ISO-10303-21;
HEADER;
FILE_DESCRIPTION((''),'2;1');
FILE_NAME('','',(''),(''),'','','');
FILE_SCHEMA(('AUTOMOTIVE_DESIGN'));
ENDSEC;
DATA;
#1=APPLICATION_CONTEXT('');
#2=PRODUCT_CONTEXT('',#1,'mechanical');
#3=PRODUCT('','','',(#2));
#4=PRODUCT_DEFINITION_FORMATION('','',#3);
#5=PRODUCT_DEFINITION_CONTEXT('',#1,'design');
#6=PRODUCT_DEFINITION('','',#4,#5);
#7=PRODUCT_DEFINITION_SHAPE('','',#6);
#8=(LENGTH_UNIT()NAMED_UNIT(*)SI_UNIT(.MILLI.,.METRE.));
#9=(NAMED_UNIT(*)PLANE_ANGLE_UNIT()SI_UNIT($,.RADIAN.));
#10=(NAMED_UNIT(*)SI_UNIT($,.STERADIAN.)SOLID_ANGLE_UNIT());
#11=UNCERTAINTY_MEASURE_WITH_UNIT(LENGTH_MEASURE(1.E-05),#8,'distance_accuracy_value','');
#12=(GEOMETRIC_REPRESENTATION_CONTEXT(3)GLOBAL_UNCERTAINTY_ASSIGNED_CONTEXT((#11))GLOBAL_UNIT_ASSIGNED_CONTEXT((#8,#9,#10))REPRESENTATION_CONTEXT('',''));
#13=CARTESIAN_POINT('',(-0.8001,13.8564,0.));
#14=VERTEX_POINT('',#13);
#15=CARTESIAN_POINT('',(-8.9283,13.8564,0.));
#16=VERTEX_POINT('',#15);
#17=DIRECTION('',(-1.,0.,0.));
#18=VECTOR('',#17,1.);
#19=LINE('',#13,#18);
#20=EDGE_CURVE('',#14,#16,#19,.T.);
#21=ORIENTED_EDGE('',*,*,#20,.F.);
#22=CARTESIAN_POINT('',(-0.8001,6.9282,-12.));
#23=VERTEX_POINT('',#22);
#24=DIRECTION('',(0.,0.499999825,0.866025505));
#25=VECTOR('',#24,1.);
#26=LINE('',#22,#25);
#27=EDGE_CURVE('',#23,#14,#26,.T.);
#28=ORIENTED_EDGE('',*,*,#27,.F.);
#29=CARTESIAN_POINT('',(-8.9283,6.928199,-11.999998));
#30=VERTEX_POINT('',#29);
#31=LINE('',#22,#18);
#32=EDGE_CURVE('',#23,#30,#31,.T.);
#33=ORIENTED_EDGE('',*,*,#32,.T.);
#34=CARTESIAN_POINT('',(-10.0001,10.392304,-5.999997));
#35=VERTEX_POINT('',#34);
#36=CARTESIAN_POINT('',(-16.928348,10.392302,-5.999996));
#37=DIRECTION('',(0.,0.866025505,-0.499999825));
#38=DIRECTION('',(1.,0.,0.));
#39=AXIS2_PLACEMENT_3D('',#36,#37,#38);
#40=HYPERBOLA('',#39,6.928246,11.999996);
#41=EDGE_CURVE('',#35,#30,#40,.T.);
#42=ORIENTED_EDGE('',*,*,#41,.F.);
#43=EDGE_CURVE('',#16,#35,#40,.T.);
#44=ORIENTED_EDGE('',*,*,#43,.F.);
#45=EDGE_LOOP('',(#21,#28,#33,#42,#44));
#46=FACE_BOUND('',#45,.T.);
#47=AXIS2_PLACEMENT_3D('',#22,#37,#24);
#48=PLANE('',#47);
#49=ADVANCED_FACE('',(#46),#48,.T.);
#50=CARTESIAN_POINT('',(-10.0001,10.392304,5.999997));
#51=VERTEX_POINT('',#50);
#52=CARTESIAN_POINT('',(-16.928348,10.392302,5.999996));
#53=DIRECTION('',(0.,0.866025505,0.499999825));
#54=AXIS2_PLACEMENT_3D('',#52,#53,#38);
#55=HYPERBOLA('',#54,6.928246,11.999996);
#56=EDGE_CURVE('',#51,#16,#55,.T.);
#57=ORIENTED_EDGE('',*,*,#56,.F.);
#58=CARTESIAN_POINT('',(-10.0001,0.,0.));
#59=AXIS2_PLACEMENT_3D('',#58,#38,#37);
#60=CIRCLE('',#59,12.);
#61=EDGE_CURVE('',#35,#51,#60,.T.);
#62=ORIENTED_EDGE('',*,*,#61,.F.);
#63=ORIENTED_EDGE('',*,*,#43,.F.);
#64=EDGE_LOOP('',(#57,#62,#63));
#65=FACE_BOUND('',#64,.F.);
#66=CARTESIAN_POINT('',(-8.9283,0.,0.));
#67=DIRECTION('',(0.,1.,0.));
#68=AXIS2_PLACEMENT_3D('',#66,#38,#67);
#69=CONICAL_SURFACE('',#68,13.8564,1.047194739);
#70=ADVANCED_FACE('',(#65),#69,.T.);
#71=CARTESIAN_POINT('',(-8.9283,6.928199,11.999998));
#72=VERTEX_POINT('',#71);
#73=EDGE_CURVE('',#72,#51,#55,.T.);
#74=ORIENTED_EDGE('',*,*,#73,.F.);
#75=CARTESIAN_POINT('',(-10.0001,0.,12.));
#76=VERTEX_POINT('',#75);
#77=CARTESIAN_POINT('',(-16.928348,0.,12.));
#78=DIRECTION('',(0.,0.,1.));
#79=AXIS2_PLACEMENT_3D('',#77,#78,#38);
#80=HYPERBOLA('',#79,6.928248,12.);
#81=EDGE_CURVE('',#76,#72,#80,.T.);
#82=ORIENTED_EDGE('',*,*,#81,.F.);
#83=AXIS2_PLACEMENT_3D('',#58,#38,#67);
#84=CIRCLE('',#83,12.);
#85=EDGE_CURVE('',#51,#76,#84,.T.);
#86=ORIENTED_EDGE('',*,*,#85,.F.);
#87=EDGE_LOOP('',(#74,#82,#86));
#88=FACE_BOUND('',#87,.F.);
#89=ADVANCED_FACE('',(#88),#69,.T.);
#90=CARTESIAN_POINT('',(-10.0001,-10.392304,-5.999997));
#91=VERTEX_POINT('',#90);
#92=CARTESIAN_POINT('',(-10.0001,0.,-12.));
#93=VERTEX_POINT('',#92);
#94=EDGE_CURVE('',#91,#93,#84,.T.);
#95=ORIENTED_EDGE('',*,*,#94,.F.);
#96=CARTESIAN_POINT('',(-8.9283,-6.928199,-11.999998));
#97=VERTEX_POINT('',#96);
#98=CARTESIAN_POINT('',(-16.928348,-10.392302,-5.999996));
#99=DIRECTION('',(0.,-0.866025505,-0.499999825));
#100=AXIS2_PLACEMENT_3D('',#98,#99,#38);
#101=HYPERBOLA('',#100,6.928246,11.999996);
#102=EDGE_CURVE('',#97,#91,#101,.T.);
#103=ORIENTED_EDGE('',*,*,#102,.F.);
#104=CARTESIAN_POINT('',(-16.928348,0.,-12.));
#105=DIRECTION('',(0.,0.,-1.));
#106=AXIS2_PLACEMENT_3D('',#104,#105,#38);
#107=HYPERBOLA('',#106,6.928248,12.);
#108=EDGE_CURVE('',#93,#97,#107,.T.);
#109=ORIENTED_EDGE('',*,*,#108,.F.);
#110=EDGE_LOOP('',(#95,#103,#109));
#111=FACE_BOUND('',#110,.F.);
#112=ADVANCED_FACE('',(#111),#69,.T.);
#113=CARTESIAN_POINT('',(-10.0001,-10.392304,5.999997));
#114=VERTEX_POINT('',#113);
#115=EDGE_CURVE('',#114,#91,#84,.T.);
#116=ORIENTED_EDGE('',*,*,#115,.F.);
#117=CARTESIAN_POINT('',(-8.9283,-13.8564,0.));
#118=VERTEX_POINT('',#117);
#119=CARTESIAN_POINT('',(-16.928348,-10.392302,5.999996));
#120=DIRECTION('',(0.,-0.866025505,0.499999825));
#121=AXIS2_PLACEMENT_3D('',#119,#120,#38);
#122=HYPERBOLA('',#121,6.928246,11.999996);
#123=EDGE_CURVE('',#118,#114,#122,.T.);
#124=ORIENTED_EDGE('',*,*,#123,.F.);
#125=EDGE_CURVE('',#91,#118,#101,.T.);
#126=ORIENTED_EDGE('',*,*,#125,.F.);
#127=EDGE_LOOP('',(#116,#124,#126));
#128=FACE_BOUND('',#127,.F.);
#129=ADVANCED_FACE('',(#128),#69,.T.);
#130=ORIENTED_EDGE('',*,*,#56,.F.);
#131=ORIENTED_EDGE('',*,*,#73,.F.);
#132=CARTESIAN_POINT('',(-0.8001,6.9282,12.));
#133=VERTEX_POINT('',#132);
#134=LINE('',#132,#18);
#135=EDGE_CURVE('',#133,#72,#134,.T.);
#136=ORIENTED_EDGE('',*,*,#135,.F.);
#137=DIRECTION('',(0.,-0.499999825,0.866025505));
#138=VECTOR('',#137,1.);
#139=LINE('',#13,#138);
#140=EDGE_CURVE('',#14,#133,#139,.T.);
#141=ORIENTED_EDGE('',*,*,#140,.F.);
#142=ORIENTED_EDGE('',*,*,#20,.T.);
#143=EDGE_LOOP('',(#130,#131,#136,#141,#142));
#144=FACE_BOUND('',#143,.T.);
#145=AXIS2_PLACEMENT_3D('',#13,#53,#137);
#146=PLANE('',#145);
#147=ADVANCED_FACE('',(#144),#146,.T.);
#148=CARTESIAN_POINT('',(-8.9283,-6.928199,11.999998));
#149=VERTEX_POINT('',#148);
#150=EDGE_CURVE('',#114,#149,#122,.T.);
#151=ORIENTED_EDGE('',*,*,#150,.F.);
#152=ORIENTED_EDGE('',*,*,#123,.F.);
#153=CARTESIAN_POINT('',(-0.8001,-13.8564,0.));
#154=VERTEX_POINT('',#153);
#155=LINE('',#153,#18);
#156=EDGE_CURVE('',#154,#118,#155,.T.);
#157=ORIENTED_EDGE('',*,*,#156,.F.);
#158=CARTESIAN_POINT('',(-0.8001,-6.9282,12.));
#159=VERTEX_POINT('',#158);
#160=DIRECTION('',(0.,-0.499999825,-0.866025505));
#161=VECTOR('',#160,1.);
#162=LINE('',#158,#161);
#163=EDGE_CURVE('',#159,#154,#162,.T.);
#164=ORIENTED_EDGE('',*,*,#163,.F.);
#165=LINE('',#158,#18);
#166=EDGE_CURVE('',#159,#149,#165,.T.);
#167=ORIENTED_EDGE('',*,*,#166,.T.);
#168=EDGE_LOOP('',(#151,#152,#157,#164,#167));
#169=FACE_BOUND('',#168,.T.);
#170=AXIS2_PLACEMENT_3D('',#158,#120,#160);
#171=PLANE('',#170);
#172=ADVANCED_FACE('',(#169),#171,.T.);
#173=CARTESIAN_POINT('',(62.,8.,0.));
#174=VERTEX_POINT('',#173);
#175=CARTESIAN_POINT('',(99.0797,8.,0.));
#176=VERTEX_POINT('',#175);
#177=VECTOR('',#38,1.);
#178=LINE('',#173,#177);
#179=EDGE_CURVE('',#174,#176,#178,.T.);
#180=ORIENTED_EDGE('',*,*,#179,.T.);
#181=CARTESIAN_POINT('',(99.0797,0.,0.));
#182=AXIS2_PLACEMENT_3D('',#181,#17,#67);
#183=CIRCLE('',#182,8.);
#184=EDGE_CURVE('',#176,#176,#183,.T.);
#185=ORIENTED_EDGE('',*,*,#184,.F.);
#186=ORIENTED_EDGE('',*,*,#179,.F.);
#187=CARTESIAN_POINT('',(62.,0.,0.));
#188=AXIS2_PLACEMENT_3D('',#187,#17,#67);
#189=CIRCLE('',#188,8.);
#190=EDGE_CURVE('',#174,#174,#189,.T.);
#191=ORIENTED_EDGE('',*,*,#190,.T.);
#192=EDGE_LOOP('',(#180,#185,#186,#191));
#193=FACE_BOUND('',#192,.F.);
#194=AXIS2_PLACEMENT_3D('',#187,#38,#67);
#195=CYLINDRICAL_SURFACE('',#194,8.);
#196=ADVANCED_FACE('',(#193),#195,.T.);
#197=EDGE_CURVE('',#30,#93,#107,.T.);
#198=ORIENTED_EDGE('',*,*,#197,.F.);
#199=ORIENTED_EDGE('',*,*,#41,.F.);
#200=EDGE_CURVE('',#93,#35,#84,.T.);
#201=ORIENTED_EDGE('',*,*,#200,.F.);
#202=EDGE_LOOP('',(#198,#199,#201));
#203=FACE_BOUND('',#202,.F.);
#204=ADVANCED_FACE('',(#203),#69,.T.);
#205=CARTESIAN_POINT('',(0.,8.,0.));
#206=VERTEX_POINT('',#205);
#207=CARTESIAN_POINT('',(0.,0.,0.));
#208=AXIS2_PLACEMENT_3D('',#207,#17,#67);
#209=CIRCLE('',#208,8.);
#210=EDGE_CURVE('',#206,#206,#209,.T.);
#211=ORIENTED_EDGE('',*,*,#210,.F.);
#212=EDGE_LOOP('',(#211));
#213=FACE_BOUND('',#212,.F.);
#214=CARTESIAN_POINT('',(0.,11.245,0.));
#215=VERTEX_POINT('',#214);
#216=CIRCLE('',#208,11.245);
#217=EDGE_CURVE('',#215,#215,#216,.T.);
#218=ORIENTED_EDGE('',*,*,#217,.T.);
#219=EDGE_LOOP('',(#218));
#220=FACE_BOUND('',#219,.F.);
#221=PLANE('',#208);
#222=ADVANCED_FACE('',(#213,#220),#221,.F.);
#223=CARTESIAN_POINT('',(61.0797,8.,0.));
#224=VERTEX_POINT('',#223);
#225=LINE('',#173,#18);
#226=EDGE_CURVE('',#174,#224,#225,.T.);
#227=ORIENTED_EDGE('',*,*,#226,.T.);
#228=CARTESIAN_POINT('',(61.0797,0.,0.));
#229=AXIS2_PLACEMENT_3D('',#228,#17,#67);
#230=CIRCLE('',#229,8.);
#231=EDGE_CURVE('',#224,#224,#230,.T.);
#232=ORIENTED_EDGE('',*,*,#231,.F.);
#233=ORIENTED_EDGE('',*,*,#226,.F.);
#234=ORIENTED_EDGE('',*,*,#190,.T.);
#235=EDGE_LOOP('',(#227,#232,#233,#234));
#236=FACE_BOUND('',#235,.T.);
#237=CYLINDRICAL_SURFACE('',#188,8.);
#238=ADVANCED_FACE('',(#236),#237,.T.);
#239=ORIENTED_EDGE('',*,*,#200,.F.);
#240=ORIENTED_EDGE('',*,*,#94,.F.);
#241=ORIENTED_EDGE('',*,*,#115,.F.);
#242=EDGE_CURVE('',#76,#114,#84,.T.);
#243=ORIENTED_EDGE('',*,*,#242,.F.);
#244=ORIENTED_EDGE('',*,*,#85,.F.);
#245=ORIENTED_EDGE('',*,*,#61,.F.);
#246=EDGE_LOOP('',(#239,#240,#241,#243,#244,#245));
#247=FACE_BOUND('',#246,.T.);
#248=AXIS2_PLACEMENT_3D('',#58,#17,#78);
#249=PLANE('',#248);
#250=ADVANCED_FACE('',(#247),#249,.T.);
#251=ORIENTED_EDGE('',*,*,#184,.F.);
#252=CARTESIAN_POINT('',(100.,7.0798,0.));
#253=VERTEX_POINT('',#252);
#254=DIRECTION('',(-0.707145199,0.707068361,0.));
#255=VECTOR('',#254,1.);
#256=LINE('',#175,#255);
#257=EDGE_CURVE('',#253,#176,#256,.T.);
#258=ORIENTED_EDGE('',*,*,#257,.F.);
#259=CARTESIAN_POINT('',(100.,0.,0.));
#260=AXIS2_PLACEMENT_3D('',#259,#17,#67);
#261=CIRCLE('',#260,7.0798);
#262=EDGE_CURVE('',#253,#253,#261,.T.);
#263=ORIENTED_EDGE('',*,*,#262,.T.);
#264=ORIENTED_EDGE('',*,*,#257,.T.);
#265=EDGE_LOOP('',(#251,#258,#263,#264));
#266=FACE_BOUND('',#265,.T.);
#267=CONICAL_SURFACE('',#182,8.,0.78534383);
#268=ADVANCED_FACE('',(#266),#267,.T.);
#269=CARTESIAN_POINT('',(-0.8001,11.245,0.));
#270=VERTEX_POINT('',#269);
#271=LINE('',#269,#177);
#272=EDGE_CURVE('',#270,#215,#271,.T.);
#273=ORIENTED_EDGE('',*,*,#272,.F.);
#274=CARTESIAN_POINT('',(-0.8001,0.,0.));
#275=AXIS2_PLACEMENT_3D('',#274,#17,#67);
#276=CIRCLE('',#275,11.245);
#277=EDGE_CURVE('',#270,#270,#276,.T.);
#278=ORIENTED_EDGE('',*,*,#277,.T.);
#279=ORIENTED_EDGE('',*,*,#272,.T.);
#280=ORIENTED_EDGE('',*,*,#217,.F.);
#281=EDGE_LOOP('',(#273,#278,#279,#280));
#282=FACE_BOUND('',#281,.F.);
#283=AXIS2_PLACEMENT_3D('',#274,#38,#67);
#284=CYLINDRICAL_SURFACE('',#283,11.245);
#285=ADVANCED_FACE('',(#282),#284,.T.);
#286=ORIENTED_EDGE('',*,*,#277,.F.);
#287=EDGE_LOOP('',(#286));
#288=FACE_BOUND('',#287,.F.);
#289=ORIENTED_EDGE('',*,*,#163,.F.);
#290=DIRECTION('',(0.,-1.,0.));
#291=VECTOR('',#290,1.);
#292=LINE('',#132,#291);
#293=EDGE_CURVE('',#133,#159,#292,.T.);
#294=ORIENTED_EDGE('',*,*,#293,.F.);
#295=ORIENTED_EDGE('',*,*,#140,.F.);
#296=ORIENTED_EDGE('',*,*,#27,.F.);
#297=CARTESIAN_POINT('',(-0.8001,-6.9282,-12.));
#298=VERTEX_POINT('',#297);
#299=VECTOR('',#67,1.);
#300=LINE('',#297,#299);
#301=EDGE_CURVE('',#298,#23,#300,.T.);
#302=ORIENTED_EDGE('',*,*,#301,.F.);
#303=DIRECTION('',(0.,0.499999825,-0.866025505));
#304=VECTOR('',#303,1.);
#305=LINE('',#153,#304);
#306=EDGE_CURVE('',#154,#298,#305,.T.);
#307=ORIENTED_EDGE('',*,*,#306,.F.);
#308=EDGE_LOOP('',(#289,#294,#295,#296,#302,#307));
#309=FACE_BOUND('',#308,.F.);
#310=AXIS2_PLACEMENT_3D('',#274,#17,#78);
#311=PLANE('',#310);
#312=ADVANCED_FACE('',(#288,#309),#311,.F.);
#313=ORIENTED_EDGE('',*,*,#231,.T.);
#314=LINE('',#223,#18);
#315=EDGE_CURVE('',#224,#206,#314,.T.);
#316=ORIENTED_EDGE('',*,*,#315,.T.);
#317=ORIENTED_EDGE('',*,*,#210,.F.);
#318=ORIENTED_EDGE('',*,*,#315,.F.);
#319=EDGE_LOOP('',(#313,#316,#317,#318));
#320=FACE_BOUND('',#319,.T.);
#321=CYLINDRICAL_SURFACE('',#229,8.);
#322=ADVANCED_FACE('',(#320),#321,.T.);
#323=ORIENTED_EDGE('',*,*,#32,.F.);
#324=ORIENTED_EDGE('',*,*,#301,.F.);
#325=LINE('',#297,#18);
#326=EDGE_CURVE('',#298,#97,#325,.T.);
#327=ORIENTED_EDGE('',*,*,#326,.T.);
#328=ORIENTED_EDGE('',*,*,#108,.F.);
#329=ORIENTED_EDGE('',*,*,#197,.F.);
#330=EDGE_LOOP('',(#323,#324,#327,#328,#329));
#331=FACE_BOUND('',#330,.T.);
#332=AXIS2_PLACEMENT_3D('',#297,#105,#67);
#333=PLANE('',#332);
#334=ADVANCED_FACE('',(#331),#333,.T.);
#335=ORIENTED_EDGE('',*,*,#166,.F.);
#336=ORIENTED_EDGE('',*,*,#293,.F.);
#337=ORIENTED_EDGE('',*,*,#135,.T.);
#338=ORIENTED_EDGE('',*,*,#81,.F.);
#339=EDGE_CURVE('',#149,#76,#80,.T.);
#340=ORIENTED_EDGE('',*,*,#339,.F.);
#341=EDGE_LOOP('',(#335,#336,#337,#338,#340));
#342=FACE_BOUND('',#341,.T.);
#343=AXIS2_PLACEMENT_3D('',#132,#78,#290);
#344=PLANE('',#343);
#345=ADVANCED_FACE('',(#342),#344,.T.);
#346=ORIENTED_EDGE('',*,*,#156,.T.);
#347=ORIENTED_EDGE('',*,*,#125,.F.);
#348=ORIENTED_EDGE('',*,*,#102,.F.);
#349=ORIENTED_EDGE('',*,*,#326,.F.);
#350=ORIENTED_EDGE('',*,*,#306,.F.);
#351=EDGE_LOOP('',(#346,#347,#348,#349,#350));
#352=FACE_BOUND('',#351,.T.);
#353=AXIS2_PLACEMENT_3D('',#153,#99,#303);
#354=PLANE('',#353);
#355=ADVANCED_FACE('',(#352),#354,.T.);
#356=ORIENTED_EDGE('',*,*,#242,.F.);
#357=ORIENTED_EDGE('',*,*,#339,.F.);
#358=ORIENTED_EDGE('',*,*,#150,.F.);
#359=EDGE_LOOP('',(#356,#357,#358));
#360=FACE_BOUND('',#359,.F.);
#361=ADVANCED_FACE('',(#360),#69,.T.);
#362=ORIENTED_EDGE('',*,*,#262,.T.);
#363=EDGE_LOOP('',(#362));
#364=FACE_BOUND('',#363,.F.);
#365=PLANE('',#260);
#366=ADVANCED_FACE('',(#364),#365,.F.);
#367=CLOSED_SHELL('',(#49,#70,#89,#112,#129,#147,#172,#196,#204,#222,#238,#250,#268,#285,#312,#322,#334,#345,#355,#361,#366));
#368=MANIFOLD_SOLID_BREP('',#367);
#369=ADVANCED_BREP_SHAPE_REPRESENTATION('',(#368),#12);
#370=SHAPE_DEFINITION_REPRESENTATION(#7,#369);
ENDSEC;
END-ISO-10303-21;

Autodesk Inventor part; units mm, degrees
ref_plane "YZ Plane" through (0, 0, 0) normal (1, 0, 0) x (0, 1, 0)
ref_plane "XZ Plane" through (0, 0, 0) normal (0, 1, 0) x (-1, 0, 0)
sketch "Sketch1" plane through (0, 0, 0) normal (0, 0, 1) x (1, 0, 0)
  line L0 (0, 11.245) -> (0, 8)
  line L1 (62, 8) -> (100, 8)
  line L2 (100, 8) -> (100, 0)
  line L3 (100, 0) -> (-0.8001, 0)
  line L4 (-20.9601, 0) -> (120.16, 0) projected
  line L5 (-0.8001, 0) -> (-0.8001, 11.245)
  line L6 (-0.8001, 11.245) -> (0, 11.245)
  line L7 (62, 8) -> (61.0797, 8)
  line L8 (61.0797, 8) -> (0, 8)
  line L9 (0, -2.249) -> (0, 13.494) projected
  dimension "d0" = 100
  dimension "d1" = 38
  dimension "d2" = 16
  dimension "d9" = 0.8001
  dimension "d10" = 22.49
  dimension "d13" = 0.9203
  dimension "d14" = 16
revolve "Body" add sketch "Sketch1" angle 360 about axis through (100, 0, 0) along (-1, 0, 0)
sketch "Sketch2" plane through (-0.8001, 0, 0) normal (-1, 0, 0) x (0, 0, 1)
  line L0 (0, 13.8564) -> (12, 6.9282)
  line L1 (12, 6.9282) -> (12, -6.9282)
  line L2 (12, -6.9282) -> (0, -13.8564)
  line L3 (0, -13.8564) -> (-12, -6.9282)
  line L4 (-12, -6.9282) -> (-12, 6.9282)
  line L5 (-12, 6.9282) -> (0, 13.8564)
  point P0 (0, 0)
  point P1 (0, 0)
  dimension "d11" = 24
extrude "Head" add sketch "Sketch2" along normal blind 9.2
sketch "Sketch4" plane through (0, 0, 0) normal (0, 0, 1) x (1, 0, 0)
  line L0 (-10.0001, 12) -> (-10.0001, 13.8564)
  line L1 (-10.0001, 13.8564) -> (-8.9283, 13.8564)
  line L2 (-8.9283, 13.8564) -> (-10.0001, 12)
  line L3 (-11.8401, 0) -> (1.0399, 0) projected
  line L4 (-0.8001, 13.8564) -> (-10.0001, 13.8564) projected
  line L5 (-10.0001, 6.9282) -> (-10.0001, 13.8564) projected
  dimension "d5" = 30
  dimension "d19" = 24
revolve "Chamfer1" cut sketch "Sketch4" angle 360 about axis through (-10, 0, 0) along (1, 0, 0)
thread "Thread" size "M16x1.5" class "6g" standard "ISO Metric profile" length 38
chamfer "Chamfer2" distance 0.9202 distance2 0.9203 1 edges at (100, -8, 0) measured on face at (100, -0.9456, 1.8959)
ref_plane "Work Plane1" through (1.525, 0, 0) normal (0, 0, 1) x (1, 0, 0)
equation "\"d0\" = NLG"
equation "\"d1\" = GEL"
equation "\"d2\" = GD"
equation "\"d10\" = SD2"
equation "\"d14\" = BDM"
equation "\"d11\" = SW"
equation "\"d3\" = KOH - SD"
equation "\"d5\" = ANG1"
equation "\"d19\" = SW0"
equation "\"d15\" = GEL"
equation "\"d6\" = -0.5 * SPD + 0.5 * GD"
equation "\"NLG\" = 100"
equation "\"GD\" = NND"
equation "\"BDM\" = NND"
equation "\"KOH\" = 10"
equation "\"GEL\" = 38"
equation "\"SW\" = 24"
equation "\"SW0\" = SW"
equation "\"SPD\" = NND - 1.2269 * PTC"
equation "\"SD2\" = 22.49"
equation "\"SD\" = 0.8"
equation "\"ANG1\" = 30deg"
equation "\"GAL\" = 0.61345 * PTC"
equation "\"GUL\" = 0.61345 * PTC"
equation "\"RR\" = 0.6"
equation "\"GD1\" = THREADDIA - 1.2269 * PTC"
equation "\"THREADDIA\" = 16"
equation "\"SDH\" = SD2"
equation "\"TOA\" = 30deg"
equation "\"PTC\" = 1.5"
equation "\"NND\" = 16"
equation "\"E0\" = 1.155 * SW"
properties part number "ISO 8765 - M16 x 1.5 x 100" material "Stainless Steel, 440C"
